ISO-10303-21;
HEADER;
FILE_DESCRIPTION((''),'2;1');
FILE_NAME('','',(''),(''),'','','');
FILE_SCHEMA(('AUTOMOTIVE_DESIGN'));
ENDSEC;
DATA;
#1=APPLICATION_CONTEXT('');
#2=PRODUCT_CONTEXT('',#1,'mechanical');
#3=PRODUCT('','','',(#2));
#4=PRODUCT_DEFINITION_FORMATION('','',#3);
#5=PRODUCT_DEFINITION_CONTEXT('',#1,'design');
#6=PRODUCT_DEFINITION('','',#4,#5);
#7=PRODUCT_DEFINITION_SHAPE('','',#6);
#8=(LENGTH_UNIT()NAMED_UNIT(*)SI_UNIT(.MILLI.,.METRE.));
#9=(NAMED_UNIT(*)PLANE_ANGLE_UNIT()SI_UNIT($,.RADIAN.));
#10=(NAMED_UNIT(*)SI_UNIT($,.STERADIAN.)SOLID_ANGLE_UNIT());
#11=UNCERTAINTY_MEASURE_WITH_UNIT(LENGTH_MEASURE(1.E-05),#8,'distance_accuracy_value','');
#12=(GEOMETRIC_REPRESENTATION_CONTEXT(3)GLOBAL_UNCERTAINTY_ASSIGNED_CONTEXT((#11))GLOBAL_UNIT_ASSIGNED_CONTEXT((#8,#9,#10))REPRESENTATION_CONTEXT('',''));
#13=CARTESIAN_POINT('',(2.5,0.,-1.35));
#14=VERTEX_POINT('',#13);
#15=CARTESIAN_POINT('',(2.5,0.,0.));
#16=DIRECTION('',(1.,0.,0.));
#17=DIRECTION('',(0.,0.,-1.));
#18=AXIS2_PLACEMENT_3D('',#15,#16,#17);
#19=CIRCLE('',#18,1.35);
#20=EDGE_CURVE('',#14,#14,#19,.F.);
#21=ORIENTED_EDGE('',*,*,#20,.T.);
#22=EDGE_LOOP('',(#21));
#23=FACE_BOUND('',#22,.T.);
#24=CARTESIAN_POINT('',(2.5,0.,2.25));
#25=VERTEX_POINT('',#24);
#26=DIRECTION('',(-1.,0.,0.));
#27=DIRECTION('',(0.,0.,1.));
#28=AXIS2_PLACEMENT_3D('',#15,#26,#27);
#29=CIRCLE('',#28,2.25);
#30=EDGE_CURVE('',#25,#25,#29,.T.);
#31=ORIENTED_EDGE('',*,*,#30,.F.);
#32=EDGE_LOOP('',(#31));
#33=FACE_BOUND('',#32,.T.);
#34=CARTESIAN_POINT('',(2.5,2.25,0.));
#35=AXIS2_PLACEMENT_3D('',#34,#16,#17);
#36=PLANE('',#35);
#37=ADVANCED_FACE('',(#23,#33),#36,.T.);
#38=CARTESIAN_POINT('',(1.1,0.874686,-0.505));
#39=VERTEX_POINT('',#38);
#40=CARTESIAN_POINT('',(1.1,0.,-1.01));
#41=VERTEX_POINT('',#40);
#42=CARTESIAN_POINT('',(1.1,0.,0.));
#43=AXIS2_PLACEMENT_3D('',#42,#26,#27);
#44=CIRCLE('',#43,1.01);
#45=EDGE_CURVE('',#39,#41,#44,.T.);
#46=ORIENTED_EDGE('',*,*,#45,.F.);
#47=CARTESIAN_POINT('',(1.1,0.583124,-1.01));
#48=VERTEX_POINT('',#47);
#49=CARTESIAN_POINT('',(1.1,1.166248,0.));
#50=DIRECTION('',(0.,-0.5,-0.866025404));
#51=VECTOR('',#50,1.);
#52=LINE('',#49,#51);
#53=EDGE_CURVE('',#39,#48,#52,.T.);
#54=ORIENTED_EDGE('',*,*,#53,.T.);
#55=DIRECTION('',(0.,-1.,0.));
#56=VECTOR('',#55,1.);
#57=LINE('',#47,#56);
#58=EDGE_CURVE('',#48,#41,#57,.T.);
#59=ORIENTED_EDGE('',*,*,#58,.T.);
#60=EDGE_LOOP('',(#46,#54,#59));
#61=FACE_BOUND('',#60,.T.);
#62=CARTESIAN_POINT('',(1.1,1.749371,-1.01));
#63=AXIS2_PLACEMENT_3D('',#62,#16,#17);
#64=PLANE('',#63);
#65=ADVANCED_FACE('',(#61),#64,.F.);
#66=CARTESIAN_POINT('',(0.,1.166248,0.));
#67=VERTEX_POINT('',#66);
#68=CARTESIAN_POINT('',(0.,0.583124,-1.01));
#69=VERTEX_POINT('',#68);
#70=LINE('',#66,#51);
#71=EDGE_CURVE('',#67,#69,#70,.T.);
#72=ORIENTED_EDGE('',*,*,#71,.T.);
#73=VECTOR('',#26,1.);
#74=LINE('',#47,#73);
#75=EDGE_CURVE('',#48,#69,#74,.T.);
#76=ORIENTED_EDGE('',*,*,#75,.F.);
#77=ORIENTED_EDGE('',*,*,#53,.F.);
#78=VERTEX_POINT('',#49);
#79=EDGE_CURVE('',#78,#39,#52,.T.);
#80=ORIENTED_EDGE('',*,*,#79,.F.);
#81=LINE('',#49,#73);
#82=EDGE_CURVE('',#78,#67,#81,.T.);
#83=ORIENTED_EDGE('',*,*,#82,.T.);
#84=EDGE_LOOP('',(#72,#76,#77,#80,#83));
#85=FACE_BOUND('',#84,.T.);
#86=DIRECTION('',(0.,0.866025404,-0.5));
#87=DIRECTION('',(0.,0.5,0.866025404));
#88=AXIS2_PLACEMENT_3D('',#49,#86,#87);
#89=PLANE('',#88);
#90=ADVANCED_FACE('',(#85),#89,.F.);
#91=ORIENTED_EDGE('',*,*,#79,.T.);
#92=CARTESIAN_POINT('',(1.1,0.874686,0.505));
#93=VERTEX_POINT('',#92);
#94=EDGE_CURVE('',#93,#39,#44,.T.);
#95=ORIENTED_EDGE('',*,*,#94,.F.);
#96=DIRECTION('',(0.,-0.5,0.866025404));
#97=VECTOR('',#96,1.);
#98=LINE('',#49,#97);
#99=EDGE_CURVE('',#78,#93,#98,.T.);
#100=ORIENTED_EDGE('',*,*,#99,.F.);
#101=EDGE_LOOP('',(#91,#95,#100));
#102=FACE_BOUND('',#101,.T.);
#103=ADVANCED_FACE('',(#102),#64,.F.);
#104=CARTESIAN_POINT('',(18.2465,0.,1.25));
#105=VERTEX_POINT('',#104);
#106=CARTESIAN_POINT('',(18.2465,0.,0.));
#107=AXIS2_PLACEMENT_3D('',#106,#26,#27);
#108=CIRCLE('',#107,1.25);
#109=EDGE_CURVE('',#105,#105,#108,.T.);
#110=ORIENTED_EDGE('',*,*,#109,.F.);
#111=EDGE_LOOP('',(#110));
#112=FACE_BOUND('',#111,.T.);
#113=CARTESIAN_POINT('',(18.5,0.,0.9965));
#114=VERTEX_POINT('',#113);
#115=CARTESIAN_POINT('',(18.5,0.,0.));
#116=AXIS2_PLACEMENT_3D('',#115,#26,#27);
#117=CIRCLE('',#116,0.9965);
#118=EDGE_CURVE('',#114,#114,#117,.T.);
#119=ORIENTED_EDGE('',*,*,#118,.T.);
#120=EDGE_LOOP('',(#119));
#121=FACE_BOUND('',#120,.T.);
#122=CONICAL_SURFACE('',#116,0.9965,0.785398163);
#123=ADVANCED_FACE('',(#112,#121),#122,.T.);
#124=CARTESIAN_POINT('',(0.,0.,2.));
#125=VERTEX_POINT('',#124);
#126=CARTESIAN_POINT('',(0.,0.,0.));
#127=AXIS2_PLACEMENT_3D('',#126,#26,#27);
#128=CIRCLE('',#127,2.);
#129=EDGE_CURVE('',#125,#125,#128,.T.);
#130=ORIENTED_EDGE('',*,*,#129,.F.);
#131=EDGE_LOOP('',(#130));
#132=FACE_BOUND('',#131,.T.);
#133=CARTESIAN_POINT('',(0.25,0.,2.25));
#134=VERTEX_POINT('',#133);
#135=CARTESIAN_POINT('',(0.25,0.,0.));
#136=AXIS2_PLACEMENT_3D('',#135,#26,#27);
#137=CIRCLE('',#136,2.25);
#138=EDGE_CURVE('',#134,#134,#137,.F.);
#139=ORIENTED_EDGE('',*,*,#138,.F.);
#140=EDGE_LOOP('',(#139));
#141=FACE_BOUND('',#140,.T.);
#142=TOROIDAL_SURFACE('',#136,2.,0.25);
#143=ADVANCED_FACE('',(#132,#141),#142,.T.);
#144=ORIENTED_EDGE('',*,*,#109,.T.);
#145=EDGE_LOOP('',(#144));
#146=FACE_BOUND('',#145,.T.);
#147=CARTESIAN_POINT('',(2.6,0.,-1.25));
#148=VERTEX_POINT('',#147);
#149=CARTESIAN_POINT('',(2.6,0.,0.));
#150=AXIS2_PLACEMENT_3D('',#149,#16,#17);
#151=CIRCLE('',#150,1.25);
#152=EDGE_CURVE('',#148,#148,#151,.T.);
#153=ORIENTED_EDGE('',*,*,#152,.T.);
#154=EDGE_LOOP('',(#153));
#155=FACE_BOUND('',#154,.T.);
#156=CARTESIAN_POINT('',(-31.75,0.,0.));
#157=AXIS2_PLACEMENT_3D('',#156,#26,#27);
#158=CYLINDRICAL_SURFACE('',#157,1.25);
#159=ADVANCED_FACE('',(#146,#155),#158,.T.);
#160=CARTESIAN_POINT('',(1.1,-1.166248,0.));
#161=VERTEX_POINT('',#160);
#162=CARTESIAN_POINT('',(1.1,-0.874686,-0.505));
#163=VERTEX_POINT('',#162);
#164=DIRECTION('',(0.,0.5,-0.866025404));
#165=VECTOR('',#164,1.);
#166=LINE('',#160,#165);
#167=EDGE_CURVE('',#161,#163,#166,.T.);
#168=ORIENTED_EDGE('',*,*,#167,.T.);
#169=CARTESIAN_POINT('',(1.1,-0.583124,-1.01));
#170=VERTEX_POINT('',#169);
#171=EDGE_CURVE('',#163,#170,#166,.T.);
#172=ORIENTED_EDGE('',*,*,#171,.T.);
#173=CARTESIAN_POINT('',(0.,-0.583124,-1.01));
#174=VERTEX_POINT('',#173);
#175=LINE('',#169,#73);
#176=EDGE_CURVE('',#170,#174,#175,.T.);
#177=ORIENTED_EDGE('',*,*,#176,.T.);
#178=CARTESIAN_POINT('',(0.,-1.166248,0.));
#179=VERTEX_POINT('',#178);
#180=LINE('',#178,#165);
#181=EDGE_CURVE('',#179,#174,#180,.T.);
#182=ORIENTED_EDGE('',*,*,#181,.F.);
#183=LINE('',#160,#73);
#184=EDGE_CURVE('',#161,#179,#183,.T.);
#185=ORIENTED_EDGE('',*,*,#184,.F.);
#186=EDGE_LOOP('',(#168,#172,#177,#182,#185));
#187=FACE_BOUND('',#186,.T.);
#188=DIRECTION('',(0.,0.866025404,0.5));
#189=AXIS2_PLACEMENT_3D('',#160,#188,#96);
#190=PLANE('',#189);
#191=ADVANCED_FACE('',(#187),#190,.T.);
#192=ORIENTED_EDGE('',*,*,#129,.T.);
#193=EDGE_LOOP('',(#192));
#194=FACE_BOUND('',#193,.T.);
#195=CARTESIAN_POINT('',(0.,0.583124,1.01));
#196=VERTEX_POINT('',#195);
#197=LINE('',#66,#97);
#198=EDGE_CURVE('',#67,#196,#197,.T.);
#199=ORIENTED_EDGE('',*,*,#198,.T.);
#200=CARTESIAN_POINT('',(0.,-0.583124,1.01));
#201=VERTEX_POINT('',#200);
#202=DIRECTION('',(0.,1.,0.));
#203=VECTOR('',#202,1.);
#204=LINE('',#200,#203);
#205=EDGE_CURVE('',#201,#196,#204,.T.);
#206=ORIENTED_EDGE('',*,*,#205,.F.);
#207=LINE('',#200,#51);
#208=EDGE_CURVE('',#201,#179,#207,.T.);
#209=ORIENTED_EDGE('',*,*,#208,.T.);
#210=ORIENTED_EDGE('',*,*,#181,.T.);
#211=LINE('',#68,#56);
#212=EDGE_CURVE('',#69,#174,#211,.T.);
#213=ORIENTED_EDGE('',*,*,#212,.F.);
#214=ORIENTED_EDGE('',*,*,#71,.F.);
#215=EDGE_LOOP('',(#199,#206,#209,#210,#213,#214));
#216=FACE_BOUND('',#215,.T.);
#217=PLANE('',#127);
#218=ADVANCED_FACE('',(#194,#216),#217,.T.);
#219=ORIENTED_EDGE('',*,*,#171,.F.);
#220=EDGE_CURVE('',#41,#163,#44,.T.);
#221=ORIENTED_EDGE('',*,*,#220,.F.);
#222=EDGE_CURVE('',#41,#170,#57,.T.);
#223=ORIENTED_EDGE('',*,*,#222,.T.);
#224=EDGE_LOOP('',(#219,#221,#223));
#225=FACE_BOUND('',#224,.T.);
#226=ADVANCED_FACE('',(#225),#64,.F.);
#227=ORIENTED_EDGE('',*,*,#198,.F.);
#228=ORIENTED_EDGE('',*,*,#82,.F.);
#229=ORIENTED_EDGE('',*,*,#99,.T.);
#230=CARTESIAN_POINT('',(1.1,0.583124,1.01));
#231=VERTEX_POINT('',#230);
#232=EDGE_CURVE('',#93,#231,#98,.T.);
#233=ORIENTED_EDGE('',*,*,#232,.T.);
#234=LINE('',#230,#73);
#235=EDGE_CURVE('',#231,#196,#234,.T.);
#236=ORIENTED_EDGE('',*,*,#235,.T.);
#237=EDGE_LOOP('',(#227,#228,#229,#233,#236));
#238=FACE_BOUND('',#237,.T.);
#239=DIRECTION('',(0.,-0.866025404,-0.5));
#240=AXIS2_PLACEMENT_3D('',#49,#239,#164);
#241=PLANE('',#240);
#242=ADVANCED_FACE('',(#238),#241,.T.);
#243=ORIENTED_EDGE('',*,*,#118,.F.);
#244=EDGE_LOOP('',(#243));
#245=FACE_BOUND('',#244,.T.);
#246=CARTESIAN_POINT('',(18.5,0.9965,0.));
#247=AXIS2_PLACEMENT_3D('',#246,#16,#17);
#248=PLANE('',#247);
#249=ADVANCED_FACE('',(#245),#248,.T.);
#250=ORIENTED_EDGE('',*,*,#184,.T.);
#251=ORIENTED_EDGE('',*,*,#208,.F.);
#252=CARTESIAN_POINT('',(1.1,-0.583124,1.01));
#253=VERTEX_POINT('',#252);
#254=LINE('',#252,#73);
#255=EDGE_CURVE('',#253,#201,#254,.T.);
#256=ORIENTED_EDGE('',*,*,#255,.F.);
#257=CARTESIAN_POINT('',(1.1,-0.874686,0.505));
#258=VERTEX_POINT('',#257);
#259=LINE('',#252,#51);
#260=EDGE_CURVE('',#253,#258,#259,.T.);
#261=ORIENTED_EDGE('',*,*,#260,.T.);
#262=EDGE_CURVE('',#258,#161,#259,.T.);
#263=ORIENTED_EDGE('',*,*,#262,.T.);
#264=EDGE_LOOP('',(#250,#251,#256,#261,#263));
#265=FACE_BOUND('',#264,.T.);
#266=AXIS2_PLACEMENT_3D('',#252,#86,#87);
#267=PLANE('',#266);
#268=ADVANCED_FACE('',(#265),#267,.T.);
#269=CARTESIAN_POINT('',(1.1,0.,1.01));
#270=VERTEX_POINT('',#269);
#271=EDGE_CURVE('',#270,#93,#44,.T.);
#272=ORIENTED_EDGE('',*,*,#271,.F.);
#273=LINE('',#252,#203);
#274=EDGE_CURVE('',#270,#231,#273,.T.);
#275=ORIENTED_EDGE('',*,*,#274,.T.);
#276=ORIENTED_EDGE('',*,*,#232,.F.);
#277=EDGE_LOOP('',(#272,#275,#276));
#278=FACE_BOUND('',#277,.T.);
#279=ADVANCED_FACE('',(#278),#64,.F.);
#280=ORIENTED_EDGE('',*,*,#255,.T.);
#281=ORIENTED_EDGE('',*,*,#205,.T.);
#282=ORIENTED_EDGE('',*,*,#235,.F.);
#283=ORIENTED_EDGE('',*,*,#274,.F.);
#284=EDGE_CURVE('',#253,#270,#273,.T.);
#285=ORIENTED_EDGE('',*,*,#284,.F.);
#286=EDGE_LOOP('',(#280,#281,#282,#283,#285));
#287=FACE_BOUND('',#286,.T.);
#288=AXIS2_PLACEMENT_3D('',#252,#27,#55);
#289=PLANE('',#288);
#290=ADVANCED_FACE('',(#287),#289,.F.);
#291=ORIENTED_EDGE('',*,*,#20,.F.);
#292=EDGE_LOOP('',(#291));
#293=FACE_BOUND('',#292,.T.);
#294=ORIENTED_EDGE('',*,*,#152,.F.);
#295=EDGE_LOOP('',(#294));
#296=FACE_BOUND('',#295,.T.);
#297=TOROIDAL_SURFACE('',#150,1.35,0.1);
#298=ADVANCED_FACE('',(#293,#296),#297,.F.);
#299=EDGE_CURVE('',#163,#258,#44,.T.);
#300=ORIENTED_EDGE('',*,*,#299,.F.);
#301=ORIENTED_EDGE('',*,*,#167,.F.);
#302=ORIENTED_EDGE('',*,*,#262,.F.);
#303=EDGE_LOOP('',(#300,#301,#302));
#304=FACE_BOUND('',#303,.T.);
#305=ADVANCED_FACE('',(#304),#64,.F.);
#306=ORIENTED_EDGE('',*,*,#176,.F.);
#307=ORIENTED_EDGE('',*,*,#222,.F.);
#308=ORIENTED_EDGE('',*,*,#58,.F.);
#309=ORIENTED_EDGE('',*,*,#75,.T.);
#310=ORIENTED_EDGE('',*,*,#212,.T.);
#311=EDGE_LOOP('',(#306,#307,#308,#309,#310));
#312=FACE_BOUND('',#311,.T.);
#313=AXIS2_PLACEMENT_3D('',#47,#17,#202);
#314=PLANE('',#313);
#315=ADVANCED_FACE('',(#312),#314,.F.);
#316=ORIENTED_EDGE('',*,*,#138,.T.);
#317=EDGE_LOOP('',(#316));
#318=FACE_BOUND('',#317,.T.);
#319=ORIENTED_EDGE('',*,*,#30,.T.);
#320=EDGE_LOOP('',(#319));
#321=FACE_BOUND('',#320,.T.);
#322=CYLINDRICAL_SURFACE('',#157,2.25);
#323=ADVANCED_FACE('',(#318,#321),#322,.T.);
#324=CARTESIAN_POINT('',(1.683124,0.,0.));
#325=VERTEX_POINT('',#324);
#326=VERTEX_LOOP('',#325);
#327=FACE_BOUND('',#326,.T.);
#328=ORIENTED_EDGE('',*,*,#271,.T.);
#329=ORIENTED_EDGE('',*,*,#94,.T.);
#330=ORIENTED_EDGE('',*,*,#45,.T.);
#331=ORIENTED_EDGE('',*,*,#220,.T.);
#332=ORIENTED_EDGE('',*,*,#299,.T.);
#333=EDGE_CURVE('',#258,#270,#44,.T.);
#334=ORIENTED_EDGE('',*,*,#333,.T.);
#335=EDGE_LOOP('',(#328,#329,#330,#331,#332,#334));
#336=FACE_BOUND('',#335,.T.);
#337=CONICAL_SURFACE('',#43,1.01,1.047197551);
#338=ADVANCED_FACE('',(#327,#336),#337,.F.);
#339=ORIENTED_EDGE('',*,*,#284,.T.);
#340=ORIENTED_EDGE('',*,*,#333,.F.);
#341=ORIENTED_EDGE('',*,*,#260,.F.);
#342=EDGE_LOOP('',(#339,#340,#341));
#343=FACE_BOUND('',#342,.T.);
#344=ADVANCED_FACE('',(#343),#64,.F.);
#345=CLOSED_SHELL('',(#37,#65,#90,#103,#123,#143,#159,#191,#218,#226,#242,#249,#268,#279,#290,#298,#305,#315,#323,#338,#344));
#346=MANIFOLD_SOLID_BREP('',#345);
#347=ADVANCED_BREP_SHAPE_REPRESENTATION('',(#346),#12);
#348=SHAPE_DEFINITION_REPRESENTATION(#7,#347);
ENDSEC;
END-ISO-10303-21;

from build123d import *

# Parameters (mm, degrees)
FILLET1_R   = 0.1
FILLET2_R   = 0.25
HEX_2_DEPTH = 1.1


with BuildPart() as part:
    # BodySke → Base-Revolve (revolve)
    with BuildSketch(Plane.XY):
        Polygon((0, 0), (0, 2.25), (2.5, 2.25), (2.5, 1.25), (18.2465, 1.25), (18.5, 0.9965), (18.5, 0), align=None)
    revolve(axis=Axis((-31.75, 0, 0), (1, 0, 0)))

    # Fillet1
    fillet1_edges = [part.edges().sort_by_distance(p)[0] for p in [
        (2.5, -1.25, 0),
    ]]
    fillet(fillet1_edges, radius=FILLET1_R)

    # Fillet2
    fillet2_edges = [part.edges().sort_by_distance(p)[0] for p in [
        (0, -2.25, 0),
    ]]
    fillet(fillet2_edges, radius=FILLET2_R)

    # Sketch2 → Hex-PreBroach (revolve, cut)
    with BuildSketch(Plane.XY):
        Polygon((0, 1.01), (1.1, 1.01), (1.683123772, 0), (0, 0), align=None)
    revolve(axis=Axis((0, 0, 0), (1, 0, 0)), mode=Mode.SUBTRACT)

    # Sketch3 → Hex 2 (cut)
    with BuildSketch(Plane(origin=(0, 0, 0), x_dir=(0, 0.5, 0.866025404), z_dir=(-1, 0, 0))):
        Polygon((0.583123772, 1.01), (-0.583123772, 1.01), (-1.166247544, 0), (-0.583123772, -1.01), (0.583123772, -1.01), (1.166247544, 0), align=None)
    extrude(amount=-HEX_2_DEPTH, mode=Mode.SUBTRACT)


solid = part.part
